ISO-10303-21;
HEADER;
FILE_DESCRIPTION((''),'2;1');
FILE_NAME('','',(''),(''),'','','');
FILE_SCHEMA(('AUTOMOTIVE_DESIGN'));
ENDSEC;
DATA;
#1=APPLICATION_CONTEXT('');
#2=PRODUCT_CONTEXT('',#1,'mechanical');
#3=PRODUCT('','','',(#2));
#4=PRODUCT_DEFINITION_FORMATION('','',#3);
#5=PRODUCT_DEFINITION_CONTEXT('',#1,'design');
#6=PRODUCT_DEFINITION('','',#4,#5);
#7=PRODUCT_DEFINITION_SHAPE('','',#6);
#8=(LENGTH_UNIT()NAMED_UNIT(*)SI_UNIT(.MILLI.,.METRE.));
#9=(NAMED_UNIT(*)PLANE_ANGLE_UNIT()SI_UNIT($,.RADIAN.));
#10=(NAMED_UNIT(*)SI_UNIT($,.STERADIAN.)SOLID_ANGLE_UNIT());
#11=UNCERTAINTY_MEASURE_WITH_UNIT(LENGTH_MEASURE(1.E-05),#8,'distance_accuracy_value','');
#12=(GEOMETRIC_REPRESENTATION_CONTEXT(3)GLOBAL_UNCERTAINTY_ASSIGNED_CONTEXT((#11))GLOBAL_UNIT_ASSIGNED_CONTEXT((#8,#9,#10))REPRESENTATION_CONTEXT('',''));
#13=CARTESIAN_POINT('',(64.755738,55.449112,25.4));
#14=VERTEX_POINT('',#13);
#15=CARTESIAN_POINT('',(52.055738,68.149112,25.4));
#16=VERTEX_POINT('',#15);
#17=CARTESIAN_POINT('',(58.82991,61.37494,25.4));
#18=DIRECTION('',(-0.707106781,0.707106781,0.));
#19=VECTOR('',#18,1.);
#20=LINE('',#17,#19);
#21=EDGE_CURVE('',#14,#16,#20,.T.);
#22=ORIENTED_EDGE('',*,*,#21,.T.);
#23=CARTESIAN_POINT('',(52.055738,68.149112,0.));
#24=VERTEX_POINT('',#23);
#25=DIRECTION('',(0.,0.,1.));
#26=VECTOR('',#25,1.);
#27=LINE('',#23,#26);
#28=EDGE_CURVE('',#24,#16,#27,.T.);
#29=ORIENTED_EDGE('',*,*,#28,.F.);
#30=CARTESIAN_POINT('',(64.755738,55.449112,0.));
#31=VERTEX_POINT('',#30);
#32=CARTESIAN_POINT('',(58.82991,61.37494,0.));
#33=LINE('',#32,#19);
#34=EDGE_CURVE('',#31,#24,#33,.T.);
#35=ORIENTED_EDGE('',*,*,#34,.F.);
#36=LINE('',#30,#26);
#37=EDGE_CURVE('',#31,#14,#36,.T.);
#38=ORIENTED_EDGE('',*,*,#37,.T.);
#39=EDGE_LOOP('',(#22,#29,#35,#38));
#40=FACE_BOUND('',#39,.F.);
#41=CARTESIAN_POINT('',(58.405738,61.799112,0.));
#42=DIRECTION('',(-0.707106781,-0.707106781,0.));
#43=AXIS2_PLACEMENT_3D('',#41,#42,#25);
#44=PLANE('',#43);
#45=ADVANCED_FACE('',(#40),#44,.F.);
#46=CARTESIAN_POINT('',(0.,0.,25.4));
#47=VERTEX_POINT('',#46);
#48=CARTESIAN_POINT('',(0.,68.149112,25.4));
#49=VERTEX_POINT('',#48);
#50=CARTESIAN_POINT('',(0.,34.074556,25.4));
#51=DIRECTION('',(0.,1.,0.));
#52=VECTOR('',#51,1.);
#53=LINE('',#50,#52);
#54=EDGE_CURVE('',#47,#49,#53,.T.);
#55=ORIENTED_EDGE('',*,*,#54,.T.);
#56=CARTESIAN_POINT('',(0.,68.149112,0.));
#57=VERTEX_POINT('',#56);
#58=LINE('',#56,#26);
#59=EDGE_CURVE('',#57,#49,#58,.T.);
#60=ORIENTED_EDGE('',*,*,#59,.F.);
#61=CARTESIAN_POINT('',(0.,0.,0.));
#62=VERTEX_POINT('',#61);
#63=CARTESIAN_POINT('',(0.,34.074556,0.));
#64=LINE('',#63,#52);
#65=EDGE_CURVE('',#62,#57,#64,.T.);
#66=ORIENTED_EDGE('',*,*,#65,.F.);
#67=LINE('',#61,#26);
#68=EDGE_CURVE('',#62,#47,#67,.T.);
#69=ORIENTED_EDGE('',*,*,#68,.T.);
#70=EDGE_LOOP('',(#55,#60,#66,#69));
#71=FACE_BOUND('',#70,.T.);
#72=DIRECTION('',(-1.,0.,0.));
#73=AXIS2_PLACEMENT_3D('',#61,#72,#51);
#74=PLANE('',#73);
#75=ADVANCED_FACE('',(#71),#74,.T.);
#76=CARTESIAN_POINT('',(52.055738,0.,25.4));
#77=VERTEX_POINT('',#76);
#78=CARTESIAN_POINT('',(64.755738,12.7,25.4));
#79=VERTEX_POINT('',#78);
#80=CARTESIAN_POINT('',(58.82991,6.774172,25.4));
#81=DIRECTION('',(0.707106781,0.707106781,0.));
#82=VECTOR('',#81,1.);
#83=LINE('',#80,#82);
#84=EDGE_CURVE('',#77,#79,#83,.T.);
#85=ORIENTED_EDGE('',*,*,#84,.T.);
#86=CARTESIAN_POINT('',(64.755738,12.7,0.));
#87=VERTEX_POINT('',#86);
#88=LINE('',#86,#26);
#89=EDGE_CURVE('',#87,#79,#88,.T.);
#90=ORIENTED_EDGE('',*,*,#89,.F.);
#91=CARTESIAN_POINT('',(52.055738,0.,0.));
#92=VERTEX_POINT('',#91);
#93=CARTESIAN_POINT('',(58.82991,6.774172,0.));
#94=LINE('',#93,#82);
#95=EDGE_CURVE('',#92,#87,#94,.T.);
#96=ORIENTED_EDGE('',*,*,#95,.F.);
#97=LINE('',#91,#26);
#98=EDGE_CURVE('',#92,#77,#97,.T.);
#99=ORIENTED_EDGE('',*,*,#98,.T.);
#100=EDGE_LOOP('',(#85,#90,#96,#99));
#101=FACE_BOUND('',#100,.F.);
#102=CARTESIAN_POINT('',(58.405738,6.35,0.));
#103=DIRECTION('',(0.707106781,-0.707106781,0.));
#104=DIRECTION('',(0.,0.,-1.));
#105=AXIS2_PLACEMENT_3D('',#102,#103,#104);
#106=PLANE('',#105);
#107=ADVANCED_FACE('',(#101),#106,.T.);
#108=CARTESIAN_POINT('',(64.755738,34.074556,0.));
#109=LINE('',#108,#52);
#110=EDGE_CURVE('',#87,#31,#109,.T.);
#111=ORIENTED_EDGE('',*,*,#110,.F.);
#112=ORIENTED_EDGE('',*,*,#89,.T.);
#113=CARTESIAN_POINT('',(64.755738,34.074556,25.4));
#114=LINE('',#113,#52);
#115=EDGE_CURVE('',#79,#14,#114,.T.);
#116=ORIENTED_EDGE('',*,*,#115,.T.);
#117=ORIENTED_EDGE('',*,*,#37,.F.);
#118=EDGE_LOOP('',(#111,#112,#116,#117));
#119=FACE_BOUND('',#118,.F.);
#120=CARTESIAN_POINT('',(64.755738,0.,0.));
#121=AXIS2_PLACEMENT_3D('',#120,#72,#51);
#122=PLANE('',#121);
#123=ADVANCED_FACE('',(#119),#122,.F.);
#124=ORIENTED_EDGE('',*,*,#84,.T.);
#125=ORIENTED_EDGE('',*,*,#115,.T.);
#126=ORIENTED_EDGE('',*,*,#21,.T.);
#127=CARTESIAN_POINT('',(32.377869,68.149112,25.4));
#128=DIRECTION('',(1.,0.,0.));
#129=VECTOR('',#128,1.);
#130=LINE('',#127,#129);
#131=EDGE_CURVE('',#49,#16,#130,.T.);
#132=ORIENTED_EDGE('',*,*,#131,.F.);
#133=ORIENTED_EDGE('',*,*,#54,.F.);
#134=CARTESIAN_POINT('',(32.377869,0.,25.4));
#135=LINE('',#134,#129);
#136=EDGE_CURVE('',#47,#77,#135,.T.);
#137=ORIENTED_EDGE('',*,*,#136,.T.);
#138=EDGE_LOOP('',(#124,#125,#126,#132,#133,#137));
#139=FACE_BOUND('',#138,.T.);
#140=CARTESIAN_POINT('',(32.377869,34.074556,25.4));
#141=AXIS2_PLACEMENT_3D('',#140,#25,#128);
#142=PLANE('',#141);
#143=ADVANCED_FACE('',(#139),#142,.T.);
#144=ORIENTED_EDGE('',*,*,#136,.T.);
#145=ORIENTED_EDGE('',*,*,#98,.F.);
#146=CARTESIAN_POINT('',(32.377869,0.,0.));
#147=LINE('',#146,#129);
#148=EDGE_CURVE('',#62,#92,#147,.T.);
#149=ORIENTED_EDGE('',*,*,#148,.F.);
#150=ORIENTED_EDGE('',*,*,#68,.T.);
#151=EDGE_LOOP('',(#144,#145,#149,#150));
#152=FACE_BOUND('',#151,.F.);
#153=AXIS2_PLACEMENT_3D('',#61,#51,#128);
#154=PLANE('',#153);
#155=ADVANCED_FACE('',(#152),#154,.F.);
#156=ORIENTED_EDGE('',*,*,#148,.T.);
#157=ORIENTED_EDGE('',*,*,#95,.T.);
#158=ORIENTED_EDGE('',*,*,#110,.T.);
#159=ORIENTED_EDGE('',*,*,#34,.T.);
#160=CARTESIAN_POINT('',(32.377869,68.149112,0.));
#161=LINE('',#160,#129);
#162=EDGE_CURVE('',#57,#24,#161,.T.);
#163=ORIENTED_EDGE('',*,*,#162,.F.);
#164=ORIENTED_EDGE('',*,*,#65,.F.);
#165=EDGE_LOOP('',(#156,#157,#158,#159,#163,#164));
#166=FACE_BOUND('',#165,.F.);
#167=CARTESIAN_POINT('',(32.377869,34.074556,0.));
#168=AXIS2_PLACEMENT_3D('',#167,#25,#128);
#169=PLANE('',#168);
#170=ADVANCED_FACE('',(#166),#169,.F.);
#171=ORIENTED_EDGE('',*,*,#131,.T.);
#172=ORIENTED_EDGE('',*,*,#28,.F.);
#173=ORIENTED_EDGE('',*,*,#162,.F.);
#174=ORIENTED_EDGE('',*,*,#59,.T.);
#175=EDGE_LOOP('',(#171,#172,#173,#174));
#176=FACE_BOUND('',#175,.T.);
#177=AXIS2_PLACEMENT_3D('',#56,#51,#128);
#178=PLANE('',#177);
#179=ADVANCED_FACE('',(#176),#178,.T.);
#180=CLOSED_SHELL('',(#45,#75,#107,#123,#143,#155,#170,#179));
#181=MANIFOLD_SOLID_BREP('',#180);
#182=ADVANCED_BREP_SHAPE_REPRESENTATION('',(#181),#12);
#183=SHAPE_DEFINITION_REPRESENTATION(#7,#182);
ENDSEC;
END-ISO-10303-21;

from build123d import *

# Parameters (mm, degrees)
F0_W     = 64.755738
F0_H     = 68.149112
F1_DEPTH = 25.4
F2_SIZE  = 12.7


with BuildPart() as f1:
    # F0 (on Top) → F1 (new body)
    with BuildSketch(Plane.XY):
        with Locations((32.377869, 34.074556)):
            Rectangle(F0_W, F0_H)
    extrude(amount=F1_DEPTH)

    # F2
    f2_edges = [f1.edges().sort_by_distance(p)[0] for p in [
        (64.755738, 0, 12.7),
        (64.755738, 68.149112, 12.7),
    ]]
    chamfer(f2_edges, length=F2_SIZE)


solid = f1.part
